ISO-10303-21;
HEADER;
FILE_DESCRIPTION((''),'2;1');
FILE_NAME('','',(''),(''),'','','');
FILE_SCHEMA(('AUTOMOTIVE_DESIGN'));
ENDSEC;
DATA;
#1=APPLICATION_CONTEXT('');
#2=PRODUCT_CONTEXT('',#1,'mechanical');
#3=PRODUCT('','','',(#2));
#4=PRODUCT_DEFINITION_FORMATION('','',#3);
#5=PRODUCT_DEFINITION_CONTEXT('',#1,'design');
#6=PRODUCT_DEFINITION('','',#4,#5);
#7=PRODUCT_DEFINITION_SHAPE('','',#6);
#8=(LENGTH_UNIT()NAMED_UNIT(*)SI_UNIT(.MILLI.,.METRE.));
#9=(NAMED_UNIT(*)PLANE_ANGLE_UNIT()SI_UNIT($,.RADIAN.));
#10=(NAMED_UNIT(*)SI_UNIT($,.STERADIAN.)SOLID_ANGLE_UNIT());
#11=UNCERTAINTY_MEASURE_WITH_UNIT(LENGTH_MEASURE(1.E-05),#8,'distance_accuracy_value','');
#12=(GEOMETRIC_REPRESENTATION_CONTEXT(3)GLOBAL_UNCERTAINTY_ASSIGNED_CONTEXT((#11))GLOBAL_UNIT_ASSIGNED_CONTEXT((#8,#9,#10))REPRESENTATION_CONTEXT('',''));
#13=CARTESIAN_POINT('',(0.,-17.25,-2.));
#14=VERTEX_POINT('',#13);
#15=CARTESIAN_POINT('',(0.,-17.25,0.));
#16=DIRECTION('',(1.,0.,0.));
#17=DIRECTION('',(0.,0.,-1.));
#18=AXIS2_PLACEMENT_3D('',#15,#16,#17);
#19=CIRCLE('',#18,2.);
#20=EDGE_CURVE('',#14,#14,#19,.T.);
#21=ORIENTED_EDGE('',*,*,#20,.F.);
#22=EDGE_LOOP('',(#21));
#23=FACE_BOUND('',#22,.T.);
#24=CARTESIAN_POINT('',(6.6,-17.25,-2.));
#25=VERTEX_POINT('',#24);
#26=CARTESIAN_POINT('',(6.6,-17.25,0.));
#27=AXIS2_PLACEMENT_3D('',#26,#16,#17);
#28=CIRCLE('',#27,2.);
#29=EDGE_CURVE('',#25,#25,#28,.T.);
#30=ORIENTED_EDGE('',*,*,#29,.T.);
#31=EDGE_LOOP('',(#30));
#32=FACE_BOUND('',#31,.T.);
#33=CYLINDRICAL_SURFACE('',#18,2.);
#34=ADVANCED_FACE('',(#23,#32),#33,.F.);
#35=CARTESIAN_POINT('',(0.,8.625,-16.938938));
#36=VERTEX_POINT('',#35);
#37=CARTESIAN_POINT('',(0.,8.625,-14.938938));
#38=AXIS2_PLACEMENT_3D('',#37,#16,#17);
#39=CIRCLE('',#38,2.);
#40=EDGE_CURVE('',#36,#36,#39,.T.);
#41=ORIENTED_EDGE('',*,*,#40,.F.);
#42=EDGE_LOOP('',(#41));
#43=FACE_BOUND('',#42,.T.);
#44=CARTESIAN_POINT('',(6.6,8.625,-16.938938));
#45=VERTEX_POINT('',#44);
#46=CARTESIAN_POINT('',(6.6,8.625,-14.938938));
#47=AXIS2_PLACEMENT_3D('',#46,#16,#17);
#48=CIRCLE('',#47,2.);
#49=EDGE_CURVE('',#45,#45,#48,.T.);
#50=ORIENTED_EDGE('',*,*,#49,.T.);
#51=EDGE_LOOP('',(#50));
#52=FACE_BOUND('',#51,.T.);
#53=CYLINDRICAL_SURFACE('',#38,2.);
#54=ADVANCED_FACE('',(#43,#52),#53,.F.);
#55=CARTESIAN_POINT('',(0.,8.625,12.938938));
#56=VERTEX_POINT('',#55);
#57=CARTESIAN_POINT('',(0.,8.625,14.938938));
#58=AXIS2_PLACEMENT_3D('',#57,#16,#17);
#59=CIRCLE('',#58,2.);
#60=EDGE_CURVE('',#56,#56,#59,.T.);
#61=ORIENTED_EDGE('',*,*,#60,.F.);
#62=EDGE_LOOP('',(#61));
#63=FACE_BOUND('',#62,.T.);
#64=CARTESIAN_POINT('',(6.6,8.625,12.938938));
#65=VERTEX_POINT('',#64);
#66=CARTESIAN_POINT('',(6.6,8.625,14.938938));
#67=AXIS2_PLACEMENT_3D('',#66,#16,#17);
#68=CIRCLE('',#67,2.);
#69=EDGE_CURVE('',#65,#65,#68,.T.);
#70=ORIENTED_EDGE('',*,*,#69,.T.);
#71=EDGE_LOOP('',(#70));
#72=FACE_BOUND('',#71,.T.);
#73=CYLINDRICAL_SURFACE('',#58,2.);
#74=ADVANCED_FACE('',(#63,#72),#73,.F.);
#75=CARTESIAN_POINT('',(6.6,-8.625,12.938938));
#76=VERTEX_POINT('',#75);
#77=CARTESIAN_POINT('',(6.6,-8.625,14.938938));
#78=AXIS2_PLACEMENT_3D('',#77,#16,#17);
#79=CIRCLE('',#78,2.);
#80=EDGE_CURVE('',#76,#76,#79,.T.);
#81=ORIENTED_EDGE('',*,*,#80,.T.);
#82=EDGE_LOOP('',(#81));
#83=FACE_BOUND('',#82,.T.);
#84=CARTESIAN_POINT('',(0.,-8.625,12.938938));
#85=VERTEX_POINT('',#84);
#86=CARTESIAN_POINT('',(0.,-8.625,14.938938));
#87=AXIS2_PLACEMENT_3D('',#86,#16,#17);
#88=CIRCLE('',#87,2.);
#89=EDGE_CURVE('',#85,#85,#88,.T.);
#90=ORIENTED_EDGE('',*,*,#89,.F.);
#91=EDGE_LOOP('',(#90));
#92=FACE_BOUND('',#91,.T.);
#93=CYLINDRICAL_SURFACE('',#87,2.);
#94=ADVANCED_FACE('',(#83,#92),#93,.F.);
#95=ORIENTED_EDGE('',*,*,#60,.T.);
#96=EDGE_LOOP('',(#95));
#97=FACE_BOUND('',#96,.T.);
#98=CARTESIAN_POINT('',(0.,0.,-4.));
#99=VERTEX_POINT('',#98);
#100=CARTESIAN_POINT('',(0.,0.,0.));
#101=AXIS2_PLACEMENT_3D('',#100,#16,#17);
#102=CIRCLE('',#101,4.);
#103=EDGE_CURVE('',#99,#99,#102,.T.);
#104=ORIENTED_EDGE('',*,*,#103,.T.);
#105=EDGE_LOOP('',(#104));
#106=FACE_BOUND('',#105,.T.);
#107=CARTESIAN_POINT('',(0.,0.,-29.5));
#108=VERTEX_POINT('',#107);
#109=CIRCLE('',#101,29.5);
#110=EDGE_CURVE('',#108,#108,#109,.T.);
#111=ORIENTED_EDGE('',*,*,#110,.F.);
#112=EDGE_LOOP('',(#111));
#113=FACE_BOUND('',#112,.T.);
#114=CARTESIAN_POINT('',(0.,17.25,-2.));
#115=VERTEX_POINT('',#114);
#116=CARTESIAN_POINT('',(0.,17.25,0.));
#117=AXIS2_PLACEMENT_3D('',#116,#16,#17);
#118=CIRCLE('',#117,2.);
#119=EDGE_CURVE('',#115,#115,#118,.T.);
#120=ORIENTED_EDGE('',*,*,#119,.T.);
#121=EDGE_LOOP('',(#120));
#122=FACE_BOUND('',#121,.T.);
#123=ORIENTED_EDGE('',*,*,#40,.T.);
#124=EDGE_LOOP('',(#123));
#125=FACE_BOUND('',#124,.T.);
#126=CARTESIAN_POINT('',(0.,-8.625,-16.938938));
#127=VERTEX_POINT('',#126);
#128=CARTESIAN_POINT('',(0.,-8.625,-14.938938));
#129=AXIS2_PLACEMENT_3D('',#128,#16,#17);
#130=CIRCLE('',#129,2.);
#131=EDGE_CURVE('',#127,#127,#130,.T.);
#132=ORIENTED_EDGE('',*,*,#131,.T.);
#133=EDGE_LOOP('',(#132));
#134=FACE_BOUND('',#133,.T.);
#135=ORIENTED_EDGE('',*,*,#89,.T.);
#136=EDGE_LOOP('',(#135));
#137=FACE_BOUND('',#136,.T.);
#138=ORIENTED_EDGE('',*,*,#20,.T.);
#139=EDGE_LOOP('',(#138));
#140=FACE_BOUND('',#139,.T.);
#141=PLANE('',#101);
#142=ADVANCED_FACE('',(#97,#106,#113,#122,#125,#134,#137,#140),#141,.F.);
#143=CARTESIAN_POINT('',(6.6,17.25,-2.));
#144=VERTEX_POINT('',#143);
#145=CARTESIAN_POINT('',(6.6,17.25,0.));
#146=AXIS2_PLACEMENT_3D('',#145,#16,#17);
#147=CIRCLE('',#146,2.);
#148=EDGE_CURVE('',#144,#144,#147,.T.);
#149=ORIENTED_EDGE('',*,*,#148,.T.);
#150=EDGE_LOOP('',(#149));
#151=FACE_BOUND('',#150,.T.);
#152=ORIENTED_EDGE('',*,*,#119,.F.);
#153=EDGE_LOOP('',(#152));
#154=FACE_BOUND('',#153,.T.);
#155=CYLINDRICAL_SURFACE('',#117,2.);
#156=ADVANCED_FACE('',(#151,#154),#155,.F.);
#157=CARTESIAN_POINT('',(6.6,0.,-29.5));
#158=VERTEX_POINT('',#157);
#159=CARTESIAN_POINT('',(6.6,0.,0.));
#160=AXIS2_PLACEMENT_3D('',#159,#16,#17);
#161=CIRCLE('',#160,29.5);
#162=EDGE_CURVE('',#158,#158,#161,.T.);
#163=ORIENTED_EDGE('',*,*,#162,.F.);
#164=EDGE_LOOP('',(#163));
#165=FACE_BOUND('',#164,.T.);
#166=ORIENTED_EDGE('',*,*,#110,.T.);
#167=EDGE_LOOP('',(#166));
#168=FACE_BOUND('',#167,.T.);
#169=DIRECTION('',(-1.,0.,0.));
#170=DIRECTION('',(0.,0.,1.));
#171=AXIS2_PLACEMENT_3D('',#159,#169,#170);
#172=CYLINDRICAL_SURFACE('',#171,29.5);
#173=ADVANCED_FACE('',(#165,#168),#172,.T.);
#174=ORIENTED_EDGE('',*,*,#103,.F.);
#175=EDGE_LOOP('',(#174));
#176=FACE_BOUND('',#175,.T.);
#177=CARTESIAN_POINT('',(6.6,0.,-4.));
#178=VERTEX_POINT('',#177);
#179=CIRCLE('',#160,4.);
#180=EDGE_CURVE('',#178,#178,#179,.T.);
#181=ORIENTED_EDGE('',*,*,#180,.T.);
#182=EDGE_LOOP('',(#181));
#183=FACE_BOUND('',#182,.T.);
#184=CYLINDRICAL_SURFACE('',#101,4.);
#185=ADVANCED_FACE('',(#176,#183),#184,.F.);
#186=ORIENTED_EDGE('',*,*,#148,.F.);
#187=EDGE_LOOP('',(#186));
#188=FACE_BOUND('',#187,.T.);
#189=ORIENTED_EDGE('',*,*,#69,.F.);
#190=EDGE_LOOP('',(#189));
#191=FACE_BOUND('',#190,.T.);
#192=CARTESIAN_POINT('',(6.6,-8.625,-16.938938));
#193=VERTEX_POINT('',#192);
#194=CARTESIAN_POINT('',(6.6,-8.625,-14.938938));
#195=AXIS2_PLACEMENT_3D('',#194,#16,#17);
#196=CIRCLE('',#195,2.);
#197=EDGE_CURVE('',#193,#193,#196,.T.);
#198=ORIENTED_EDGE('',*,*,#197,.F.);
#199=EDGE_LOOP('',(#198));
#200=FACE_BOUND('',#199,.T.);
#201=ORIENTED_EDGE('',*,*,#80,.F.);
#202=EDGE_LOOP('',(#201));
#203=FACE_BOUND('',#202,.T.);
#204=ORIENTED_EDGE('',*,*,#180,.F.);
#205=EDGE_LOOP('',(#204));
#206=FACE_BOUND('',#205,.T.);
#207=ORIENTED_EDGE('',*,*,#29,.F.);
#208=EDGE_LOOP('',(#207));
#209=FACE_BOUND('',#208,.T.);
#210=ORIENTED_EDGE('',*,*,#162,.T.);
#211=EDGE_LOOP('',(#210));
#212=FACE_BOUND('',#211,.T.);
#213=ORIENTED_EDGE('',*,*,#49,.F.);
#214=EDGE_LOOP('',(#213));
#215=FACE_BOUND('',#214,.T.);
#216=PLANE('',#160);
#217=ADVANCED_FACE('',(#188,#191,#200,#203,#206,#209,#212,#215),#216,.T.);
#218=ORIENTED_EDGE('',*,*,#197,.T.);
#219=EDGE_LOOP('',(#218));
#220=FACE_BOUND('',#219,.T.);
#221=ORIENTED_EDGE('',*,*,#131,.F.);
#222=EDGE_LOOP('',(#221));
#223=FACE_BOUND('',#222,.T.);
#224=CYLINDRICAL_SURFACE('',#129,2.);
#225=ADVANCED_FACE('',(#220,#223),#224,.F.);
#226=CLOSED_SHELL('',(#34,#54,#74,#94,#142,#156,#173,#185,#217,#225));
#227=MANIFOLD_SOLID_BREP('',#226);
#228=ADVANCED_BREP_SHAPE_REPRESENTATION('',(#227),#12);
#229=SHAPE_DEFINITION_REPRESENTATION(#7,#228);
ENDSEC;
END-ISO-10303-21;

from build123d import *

# Parameters (mm, degrees)
SKETCH_1_R          = 29.5
EXTRUDE_1_DEPTH     = 6.6
SKETCH_2_R          = 2
CUT_EXTRUDE_1_DEPTH = 6.6
SKETCH_3_R          = 4
CUT_EXTRUDE_2_DEPTH = 6.6


with BuildPart() as part:
    # 草图1 → 凸台-拉伸1 (new body)
    with BuildSketch(Plane(origin=(0, 0, 0), x_dir=(0, 0, -1), z_dir=(1, 0, 0))):
        Circle(SKETCH_1_R)
    extrude(amount=EXTRUDE_1_DEPTH)

    # 草图2 → 切除-拉伸1 (cut)
    with BuildSketch(Plane(origin=(6.6, 0, 0), x_dir=(0, 0, -1), z_dir=(1, 0, 0))):
        with Locations((0, 17.25)):
            Circle(SKETCH_2_R)
        with Locations((14.938938215, 8.625)):
            Circle(SKETCH_2_R)
        with Locations((14.938938215, -8.625)):
            Circle(SKETCH_2_R)
        with Locations((0, -17.25)):
            Circle(SKETCH_2_R)
        with Locations((-14.938938215, -8.625)):
            Circle(SKETCH_2_R)
        with Locations((-14.938938215, 8.625)):
            Circle(SKETCH_2_R)
    extrude(amount=-CUT_EXTRUDE_1_DEPTH, mode=Mode.SUBTRACT)

    # 草图3 → 切除-拉伸2 (cut)
    with BuildSketch(Plane(origin=(6.6, 0, 0), x_dir=(0, 0, -1), z_dir=(1, 0, 0))):
        Circle(SKETCH_3_R)
    extrude(amount=-CUT_EXTRUDE_2_DEPTH, mode=Mode.SUBTRACT)


solid = part.part
